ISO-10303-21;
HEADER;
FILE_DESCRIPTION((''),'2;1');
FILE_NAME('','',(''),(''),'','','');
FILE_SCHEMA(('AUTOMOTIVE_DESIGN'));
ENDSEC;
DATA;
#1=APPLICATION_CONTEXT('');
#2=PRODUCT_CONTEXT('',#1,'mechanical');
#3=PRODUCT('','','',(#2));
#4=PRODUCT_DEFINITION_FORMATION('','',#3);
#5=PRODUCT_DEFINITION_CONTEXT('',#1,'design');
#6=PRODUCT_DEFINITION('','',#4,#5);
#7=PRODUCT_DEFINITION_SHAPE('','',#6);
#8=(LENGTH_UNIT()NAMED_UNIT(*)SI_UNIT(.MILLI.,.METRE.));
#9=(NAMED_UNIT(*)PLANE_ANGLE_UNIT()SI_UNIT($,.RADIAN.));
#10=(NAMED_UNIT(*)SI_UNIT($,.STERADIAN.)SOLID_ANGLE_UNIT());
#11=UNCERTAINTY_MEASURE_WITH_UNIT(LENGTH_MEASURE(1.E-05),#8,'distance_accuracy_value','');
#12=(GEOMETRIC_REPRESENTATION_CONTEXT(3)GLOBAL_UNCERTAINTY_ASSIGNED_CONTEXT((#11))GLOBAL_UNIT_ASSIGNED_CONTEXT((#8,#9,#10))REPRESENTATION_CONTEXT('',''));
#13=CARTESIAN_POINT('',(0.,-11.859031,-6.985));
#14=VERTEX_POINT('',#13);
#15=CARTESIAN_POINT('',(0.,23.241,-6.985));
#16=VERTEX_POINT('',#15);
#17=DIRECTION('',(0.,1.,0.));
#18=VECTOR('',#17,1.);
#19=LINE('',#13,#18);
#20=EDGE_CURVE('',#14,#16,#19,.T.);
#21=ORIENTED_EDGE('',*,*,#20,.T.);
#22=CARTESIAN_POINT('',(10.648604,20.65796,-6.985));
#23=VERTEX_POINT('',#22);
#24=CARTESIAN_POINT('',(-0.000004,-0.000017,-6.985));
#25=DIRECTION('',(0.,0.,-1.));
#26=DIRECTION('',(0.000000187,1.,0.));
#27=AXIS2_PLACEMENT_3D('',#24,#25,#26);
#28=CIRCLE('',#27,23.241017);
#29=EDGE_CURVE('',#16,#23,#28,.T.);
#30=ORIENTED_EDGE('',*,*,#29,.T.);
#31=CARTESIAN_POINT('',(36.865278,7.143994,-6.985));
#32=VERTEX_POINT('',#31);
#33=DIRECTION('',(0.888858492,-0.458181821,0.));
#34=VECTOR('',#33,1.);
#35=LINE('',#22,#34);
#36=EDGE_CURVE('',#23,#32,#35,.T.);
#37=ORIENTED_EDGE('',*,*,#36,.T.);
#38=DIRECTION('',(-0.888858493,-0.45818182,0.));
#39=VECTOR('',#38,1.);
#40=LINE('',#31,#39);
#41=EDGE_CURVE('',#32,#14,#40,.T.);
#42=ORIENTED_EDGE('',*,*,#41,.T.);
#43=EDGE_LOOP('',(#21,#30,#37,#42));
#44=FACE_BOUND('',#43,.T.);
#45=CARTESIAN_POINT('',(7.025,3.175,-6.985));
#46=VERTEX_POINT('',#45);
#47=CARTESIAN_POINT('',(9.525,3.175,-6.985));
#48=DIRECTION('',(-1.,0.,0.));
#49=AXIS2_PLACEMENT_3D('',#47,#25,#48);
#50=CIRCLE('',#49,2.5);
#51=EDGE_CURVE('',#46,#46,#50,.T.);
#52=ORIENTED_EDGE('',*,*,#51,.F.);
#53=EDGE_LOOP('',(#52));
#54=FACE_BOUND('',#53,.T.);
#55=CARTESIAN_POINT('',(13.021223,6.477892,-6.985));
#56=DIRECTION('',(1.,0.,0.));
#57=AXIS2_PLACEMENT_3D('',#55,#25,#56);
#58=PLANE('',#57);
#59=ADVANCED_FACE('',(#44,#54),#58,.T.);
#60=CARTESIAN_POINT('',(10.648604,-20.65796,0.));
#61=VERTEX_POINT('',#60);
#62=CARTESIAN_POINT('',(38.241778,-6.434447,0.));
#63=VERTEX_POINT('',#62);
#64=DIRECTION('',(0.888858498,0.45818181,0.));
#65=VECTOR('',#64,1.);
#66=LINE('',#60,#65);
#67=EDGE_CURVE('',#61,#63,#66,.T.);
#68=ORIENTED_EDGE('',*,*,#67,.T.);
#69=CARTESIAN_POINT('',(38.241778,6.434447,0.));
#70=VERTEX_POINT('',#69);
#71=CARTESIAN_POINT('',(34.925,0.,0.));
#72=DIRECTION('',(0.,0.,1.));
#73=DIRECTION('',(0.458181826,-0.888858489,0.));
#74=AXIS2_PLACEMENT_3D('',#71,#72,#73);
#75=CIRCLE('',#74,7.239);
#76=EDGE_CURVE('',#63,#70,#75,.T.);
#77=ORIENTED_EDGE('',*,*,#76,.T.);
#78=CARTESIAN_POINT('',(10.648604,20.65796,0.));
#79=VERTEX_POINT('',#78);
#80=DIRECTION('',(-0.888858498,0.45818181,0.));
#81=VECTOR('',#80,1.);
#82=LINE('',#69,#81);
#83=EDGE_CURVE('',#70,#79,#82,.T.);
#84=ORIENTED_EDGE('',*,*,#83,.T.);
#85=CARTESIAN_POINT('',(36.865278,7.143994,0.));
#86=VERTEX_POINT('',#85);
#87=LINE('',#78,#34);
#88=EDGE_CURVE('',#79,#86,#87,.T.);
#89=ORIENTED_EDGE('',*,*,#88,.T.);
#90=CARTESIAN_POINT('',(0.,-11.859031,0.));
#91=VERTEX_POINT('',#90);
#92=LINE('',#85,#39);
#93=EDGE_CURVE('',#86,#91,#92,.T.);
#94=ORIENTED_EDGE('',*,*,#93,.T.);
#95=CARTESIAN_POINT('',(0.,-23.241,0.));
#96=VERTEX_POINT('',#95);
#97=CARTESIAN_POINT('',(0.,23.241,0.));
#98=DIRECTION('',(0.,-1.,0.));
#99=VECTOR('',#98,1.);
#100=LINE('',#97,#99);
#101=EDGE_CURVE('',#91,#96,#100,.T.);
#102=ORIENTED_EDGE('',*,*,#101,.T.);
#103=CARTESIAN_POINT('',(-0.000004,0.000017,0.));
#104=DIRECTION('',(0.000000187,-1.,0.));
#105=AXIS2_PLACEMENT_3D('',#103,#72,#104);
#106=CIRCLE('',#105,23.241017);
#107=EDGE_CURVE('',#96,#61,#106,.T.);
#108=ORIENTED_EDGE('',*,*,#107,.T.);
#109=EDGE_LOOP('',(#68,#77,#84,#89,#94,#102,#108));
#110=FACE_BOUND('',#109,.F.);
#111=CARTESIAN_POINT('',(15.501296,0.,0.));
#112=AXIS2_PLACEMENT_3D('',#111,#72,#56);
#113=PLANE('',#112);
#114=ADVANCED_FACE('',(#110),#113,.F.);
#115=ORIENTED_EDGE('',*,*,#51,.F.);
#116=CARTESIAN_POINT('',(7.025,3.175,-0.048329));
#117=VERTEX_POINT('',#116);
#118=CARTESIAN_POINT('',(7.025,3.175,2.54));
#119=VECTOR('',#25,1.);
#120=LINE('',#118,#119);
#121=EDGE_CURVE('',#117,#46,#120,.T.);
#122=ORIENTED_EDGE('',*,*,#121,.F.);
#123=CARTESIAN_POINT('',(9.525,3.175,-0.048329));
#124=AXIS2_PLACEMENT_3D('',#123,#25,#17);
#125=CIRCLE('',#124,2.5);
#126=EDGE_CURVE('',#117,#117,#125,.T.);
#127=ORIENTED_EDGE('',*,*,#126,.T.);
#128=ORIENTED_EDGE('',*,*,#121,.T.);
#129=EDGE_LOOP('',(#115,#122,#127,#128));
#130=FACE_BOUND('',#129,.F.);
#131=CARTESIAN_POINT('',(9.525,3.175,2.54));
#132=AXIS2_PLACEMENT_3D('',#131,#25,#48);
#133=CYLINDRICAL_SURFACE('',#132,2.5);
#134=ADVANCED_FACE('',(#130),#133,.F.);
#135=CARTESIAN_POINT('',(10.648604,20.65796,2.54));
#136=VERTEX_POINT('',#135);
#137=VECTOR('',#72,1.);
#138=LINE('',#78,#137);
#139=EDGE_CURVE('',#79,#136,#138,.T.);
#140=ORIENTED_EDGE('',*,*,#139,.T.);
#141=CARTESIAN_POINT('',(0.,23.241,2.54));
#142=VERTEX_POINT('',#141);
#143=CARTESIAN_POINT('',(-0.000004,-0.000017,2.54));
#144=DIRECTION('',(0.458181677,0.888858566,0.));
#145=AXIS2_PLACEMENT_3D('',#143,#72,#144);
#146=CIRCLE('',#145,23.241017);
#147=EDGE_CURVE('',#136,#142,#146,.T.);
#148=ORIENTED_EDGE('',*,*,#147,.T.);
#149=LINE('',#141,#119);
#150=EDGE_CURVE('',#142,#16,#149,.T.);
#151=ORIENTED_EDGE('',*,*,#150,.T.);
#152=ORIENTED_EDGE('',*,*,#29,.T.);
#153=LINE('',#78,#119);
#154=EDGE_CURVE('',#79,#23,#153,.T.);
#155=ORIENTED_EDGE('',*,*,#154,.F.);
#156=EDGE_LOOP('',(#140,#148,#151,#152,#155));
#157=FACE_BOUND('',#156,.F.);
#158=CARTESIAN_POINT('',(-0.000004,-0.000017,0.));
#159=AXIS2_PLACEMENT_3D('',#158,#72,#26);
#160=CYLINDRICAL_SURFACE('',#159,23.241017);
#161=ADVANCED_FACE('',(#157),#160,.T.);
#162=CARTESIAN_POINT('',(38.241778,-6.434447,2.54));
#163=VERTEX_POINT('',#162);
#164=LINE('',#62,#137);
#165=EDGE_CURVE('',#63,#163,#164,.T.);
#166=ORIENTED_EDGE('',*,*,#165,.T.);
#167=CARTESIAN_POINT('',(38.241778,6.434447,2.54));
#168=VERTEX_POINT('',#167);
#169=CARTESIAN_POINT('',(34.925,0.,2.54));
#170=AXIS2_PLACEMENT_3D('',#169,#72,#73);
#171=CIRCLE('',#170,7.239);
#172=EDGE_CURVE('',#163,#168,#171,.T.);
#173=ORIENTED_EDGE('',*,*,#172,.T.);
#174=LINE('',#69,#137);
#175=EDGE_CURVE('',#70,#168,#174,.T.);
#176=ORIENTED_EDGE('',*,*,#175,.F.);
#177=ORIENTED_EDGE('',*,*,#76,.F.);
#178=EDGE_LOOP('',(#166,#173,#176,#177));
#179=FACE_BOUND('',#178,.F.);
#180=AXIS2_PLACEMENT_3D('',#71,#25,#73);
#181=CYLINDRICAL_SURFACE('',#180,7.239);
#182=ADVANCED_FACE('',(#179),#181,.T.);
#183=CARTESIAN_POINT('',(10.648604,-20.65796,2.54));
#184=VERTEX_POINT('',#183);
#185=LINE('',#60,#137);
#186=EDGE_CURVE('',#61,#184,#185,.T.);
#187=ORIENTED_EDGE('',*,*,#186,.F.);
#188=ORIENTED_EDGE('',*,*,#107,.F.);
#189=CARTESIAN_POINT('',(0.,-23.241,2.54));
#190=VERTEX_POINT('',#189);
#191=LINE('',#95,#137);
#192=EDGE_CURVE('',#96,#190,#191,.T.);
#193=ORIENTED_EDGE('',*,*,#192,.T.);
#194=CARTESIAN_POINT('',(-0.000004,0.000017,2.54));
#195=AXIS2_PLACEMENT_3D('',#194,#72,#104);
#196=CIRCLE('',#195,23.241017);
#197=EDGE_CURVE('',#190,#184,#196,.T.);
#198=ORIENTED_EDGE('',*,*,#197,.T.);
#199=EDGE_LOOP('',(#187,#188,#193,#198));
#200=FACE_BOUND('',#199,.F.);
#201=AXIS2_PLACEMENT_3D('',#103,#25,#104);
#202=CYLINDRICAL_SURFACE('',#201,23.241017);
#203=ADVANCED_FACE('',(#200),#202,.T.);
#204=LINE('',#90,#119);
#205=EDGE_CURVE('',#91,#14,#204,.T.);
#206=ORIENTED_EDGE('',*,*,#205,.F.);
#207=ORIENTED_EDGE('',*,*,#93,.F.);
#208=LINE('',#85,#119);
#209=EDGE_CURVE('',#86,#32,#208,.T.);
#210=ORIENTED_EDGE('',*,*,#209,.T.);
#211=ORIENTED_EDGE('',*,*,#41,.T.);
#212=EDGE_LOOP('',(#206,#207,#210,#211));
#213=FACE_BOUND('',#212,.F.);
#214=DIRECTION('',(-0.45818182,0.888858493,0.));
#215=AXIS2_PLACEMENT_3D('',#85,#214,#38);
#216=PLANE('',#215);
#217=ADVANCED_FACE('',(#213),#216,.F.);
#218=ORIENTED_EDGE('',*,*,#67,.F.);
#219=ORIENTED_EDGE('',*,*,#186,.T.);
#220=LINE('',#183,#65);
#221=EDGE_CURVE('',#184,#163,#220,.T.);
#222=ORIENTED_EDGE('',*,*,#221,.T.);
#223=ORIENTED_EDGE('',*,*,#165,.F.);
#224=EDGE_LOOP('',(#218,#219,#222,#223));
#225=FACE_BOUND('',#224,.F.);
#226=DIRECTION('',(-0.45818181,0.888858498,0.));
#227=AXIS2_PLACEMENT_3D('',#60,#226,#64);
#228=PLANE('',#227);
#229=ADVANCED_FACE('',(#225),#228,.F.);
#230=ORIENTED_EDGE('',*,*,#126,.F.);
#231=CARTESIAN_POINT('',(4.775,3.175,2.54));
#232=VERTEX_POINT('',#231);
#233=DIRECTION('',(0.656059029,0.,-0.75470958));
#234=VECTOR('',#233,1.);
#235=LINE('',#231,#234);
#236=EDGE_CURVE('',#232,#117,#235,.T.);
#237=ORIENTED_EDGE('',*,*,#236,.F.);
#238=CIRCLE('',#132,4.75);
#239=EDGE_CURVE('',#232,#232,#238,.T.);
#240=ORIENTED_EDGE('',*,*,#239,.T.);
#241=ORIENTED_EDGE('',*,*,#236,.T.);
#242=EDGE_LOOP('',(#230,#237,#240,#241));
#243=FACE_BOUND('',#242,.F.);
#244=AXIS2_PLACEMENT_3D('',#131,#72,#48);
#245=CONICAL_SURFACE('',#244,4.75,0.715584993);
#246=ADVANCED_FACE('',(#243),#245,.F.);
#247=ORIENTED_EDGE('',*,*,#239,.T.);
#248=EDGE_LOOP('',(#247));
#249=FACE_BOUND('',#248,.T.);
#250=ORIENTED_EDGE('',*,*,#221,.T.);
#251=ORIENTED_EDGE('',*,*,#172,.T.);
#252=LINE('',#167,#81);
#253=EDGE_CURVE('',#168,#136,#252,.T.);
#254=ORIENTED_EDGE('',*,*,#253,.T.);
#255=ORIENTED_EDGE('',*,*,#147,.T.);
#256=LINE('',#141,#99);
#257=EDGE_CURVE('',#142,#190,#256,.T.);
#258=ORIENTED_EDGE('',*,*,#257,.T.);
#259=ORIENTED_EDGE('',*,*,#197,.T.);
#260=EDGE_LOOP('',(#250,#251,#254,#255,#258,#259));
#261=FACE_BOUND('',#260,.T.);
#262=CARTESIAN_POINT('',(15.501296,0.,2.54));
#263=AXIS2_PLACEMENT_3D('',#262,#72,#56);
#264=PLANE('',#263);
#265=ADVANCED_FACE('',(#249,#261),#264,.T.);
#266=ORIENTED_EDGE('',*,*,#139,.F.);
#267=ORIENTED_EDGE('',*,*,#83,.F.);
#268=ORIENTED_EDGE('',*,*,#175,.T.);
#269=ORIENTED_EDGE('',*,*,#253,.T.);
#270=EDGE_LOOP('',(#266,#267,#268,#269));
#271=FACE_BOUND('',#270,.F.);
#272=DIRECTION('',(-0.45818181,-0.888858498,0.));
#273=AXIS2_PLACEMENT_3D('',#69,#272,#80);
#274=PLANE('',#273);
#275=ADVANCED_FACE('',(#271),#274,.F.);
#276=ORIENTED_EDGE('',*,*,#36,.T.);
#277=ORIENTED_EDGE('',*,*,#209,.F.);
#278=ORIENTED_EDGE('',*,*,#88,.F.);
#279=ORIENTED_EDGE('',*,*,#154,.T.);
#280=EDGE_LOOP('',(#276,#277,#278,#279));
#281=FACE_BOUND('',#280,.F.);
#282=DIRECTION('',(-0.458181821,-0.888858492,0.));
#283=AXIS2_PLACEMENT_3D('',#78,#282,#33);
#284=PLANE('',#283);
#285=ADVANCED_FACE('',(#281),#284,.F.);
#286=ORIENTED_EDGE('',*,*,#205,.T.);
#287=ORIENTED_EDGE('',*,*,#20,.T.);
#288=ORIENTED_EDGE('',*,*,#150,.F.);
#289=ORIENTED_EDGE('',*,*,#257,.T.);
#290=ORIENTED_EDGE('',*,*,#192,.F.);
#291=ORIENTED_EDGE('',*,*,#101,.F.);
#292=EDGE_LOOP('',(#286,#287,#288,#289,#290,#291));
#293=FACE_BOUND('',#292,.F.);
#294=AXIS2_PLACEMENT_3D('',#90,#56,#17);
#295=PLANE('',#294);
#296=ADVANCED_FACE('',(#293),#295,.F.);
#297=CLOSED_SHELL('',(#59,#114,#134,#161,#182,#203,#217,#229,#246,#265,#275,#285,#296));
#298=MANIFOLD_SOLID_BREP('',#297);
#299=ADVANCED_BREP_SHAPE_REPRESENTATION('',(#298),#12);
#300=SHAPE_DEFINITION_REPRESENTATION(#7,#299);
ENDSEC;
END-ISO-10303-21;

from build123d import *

# Parameters (mm, degrees)
F1_DEPTH       = 2.54
F3_DEPTH       = 6.985
F5_D           = 5
F5_CSINK_D     = 9.5
F5_CSINK_ANGLE = 82


with BuildPart() as f1:
    # F0 (on Top) → F1 (new body)
    with BuildSketch(Plane.XY):
        with BuildLine():
            ThreePointArc((10.648604, 20.65796), (5.478705, 22.58601), (0, 23.241))
            Line((0, 23.241), (0, -23.241))
            ThreePointArc((0, -23.241), (5.478705, -22.58601), (10.648604, -20.65796))
            Line((10.648604, -20.65796), (38.241778, -6.434447))
            ThreePointArc((38.241778, -6.434447), (42.164, 0), (38.241778, 6.434447))
            Line((38.241778, 6.434447), (10.648604, 20.65796))
        make_face()
    extrude(amount=F1_DEPTH)

    # F2 (on face) → F3 (join)
    with BuildSketch(Plane(origin=(0, 0, 0), x_dir=(1, 0, 0), z_dir=(0, 0, -1))):
        with BuildLine():
            Line((36.865278, -7.143994), (0, 11.859031))
            Line((0, 11.859031), (0, -23.241))
            ThreePointArc((0, -23.241), (5.478705, -22.58601), (10.648604, -20.65796))
            Line((10.648604, -20.65796), (36.865278, -7.143994))
        make_face()
    extrude(amount=F3_DEPTH)

    # F5 (through all)
    with Locations(Plane.XY.offset(2.54)):
        with Locations((9.525, 3.175)):
            CounterSinkHole(F5_D / 2, F5_CSINK_D / 2, counter_sink_angle=F5_CSINK_ANGLE)


solid = f1.part
